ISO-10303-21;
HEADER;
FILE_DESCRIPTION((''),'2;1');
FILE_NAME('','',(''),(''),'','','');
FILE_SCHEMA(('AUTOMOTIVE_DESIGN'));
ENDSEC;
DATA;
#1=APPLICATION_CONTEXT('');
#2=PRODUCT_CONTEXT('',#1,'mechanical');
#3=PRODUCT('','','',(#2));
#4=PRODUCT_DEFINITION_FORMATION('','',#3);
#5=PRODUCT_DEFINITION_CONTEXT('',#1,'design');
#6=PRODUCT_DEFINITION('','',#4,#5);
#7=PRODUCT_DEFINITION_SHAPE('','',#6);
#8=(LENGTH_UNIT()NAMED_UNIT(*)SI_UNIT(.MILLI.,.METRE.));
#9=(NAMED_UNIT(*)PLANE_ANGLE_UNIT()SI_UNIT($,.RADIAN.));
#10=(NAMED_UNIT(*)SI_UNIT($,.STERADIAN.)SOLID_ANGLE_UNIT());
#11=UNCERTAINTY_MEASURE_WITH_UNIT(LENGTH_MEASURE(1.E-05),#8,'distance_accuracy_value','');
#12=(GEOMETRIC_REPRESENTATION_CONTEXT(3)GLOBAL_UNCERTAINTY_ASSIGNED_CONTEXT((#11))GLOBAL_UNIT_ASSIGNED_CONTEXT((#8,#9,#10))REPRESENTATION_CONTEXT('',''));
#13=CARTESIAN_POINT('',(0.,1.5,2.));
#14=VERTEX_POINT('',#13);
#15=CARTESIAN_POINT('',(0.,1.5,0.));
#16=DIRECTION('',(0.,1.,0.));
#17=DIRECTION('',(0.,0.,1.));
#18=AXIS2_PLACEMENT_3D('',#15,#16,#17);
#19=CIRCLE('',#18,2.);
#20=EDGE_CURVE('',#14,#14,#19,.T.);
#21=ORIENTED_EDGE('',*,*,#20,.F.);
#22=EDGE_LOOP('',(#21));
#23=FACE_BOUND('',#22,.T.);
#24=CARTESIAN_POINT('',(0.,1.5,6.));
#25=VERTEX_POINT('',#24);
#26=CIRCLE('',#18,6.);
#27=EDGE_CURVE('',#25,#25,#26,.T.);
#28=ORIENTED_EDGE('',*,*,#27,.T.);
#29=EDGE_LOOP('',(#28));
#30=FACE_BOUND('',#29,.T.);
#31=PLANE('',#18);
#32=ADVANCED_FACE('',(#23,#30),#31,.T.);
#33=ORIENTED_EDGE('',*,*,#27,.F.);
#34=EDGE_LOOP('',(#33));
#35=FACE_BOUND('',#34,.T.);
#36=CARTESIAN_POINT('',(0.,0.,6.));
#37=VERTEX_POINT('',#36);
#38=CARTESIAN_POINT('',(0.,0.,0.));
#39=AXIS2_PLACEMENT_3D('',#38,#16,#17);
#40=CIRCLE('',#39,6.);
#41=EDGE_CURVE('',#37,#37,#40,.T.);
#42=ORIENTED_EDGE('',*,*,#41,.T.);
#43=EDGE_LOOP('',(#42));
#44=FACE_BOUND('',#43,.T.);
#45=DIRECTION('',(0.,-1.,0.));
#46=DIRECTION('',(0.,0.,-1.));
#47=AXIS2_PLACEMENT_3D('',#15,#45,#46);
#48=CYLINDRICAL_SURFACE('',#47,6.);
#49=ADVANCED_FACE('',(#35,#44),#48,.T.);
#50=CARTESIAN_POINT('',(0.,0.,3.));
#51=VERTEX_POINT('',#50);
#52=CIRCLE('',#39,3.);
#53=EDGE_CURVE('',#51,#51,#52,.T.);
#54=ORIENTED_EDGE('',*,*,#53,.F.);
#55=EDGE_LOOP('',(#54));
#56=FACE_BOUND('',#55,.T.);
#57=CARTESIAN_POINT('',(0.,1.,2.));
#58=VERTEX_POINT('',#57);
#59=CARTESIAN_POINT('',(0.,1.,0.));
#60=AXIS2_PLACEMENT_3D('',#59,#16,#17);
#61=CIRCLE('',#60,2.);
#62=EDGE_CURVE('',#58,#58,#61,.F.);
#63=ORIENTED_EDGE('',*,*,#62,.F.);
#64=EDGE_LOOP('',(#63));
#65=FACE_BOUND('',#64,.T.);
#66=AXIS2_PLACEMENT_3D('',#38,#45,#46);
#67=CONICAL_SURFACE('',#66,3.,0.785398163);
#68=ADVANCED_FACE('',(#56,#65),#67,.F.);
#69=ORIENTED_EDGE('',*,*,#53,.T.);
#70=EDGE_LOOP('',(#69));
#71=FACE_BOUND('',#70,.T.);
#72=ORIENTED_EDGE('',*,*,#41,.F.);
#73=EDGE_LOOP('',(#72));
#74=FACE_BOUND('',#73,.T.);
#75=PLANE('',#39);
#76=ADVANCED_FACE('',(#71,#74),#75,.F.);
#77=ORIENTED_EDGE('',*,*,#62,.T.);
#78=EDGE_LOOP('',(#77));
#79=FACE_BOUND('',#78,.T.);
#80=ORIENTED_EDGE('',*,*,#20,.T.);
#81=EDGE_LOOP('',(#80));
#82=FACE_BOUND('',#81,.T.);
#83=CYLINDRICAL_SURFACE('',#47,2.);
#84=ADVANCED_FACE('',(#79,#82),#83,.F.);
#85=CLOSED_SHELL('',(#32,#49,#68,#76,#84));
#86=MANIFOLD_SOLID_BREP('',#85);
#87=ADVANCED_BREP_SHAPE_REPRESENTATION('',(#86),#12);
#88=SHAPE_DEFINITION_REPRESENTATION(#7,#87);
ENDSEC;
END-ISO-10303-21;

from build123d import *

# Parameters (mm, degrees)
SKETCH_1_R      = 6
SKETCH_1_R_2    = 2
EXTRUDE_1_DEPTH = 1.5
CHAMFER_1_SIZE  = 1


with BuildPart() as part:
    # Эскиз1 → Бобышка-Вытянуть1 (new body)
    with BuildSketch(Plane(origin=(0, 0, 0), x_dir=(1, 0, 0), z_dir=(0, 1, 0))):
        with Locations(Location((0, 0, 0), (0, 0, 270))):
            Circle(SKETCH_1_R)
        with Locations(Location((0, 0, 0), (0, 0, 270))):
            Circle(SKETCH_1_R_2, mode=Mode.SUBTRACT)
    extrude(amount=EXTRUDE_1_DEPTH)

    # Фаска1
    chamfer_1_edges = [part.edges().sort_by_distance(p)[0] for p in [
        (0, 0, -2),
    ]]
    chamfer(chamfer_1_edges, length=CHAMFER_1_SIZE)


solid = part.part
